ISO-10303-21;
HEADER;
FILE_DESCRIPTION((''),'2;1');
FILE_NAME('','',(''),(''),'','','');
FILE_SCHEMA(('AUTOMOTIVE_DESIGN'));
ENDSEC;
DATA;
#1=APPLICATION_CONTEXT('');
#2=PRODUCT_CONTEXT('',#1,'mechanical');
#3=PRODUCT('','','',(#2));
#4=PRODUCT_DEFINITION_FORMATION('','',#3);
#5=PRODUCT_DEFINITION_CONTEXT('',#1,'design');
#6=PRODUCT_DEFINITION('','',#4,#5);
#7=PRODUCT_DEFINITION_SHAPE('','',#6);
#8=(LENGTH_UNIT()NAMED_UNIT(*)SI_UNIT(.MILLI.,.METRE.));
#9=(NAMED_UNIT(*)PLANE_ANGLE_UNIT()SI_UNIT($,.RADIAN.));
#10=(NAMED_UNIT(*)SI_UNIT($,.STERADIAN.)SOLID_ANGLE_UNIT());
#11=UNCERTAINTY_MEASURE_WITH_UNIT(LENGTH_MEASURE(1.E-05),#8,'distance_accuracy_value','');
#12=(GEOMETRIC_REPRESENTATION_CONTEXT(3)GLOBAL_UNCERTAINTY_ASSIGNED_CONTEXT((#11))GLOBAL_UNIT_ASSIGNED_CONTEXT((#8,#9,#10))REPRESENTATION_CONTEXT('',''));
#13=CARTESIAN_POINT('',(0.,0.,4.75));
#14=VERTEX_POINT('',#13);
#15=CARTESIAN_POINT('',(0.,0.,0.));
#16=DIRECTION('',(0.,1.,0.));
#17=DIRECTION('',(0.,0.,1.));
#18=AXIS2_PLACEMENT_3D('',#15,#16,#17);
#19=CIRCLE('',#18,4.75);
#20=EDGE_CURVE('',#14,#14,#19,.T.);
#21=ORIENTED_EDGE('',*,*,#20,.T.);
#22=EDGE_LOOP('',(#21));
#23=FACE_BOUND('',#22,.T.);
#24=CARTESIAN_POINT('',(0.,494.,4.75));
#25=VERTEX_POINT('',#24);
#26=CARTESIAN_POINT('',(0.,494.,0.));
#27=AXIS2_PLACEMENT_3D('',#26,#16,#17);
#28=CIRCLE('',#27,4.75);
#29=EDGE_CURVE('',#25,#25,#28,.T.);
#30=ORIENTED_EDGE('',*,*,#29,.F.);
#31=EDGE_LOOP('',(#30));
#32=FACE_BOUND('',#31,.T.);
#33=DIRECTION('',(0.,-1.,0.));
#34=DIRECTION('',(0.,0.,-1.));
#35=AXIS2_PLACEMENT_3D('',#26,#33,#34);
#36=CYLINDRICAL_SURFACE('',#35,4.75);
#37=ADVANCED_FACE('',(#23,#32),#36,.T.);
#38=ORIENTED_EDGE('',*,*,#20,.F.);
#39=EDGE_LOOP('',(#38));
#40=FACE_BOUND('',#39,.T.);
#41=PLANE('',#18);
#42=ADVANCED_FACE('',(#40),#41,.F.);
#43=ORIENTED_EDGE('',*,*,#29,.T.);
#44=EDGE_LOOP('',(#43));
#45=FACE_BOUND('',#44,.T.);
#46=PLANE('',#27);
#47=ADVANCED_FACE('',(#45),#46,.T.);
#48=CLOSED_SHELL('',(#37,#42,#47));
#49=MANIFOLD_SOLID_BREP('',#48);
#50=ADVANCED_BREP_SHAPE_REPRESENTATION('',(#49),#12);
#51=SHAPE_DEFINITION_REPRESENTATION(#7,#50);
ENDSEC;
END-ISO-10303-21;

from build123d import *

# Parameters (mm, degrees)
SKETCH1_R           = 4.75
BOSS_EXTRUDE1_DEPTH = 494


with BuildPart() as part:
    # Sketch1 → Boss-Extrude1 (new body)
    with BuildSketch(Plane(origin=(0, 0, 0), x_dir=(1, 0, 0), z_dir=(0, 1, 0))):
        Circle(SKETCH1_R)
    extrude(amount=BOSS_EXTRUDE1_DEPTH)


solid = part.part
